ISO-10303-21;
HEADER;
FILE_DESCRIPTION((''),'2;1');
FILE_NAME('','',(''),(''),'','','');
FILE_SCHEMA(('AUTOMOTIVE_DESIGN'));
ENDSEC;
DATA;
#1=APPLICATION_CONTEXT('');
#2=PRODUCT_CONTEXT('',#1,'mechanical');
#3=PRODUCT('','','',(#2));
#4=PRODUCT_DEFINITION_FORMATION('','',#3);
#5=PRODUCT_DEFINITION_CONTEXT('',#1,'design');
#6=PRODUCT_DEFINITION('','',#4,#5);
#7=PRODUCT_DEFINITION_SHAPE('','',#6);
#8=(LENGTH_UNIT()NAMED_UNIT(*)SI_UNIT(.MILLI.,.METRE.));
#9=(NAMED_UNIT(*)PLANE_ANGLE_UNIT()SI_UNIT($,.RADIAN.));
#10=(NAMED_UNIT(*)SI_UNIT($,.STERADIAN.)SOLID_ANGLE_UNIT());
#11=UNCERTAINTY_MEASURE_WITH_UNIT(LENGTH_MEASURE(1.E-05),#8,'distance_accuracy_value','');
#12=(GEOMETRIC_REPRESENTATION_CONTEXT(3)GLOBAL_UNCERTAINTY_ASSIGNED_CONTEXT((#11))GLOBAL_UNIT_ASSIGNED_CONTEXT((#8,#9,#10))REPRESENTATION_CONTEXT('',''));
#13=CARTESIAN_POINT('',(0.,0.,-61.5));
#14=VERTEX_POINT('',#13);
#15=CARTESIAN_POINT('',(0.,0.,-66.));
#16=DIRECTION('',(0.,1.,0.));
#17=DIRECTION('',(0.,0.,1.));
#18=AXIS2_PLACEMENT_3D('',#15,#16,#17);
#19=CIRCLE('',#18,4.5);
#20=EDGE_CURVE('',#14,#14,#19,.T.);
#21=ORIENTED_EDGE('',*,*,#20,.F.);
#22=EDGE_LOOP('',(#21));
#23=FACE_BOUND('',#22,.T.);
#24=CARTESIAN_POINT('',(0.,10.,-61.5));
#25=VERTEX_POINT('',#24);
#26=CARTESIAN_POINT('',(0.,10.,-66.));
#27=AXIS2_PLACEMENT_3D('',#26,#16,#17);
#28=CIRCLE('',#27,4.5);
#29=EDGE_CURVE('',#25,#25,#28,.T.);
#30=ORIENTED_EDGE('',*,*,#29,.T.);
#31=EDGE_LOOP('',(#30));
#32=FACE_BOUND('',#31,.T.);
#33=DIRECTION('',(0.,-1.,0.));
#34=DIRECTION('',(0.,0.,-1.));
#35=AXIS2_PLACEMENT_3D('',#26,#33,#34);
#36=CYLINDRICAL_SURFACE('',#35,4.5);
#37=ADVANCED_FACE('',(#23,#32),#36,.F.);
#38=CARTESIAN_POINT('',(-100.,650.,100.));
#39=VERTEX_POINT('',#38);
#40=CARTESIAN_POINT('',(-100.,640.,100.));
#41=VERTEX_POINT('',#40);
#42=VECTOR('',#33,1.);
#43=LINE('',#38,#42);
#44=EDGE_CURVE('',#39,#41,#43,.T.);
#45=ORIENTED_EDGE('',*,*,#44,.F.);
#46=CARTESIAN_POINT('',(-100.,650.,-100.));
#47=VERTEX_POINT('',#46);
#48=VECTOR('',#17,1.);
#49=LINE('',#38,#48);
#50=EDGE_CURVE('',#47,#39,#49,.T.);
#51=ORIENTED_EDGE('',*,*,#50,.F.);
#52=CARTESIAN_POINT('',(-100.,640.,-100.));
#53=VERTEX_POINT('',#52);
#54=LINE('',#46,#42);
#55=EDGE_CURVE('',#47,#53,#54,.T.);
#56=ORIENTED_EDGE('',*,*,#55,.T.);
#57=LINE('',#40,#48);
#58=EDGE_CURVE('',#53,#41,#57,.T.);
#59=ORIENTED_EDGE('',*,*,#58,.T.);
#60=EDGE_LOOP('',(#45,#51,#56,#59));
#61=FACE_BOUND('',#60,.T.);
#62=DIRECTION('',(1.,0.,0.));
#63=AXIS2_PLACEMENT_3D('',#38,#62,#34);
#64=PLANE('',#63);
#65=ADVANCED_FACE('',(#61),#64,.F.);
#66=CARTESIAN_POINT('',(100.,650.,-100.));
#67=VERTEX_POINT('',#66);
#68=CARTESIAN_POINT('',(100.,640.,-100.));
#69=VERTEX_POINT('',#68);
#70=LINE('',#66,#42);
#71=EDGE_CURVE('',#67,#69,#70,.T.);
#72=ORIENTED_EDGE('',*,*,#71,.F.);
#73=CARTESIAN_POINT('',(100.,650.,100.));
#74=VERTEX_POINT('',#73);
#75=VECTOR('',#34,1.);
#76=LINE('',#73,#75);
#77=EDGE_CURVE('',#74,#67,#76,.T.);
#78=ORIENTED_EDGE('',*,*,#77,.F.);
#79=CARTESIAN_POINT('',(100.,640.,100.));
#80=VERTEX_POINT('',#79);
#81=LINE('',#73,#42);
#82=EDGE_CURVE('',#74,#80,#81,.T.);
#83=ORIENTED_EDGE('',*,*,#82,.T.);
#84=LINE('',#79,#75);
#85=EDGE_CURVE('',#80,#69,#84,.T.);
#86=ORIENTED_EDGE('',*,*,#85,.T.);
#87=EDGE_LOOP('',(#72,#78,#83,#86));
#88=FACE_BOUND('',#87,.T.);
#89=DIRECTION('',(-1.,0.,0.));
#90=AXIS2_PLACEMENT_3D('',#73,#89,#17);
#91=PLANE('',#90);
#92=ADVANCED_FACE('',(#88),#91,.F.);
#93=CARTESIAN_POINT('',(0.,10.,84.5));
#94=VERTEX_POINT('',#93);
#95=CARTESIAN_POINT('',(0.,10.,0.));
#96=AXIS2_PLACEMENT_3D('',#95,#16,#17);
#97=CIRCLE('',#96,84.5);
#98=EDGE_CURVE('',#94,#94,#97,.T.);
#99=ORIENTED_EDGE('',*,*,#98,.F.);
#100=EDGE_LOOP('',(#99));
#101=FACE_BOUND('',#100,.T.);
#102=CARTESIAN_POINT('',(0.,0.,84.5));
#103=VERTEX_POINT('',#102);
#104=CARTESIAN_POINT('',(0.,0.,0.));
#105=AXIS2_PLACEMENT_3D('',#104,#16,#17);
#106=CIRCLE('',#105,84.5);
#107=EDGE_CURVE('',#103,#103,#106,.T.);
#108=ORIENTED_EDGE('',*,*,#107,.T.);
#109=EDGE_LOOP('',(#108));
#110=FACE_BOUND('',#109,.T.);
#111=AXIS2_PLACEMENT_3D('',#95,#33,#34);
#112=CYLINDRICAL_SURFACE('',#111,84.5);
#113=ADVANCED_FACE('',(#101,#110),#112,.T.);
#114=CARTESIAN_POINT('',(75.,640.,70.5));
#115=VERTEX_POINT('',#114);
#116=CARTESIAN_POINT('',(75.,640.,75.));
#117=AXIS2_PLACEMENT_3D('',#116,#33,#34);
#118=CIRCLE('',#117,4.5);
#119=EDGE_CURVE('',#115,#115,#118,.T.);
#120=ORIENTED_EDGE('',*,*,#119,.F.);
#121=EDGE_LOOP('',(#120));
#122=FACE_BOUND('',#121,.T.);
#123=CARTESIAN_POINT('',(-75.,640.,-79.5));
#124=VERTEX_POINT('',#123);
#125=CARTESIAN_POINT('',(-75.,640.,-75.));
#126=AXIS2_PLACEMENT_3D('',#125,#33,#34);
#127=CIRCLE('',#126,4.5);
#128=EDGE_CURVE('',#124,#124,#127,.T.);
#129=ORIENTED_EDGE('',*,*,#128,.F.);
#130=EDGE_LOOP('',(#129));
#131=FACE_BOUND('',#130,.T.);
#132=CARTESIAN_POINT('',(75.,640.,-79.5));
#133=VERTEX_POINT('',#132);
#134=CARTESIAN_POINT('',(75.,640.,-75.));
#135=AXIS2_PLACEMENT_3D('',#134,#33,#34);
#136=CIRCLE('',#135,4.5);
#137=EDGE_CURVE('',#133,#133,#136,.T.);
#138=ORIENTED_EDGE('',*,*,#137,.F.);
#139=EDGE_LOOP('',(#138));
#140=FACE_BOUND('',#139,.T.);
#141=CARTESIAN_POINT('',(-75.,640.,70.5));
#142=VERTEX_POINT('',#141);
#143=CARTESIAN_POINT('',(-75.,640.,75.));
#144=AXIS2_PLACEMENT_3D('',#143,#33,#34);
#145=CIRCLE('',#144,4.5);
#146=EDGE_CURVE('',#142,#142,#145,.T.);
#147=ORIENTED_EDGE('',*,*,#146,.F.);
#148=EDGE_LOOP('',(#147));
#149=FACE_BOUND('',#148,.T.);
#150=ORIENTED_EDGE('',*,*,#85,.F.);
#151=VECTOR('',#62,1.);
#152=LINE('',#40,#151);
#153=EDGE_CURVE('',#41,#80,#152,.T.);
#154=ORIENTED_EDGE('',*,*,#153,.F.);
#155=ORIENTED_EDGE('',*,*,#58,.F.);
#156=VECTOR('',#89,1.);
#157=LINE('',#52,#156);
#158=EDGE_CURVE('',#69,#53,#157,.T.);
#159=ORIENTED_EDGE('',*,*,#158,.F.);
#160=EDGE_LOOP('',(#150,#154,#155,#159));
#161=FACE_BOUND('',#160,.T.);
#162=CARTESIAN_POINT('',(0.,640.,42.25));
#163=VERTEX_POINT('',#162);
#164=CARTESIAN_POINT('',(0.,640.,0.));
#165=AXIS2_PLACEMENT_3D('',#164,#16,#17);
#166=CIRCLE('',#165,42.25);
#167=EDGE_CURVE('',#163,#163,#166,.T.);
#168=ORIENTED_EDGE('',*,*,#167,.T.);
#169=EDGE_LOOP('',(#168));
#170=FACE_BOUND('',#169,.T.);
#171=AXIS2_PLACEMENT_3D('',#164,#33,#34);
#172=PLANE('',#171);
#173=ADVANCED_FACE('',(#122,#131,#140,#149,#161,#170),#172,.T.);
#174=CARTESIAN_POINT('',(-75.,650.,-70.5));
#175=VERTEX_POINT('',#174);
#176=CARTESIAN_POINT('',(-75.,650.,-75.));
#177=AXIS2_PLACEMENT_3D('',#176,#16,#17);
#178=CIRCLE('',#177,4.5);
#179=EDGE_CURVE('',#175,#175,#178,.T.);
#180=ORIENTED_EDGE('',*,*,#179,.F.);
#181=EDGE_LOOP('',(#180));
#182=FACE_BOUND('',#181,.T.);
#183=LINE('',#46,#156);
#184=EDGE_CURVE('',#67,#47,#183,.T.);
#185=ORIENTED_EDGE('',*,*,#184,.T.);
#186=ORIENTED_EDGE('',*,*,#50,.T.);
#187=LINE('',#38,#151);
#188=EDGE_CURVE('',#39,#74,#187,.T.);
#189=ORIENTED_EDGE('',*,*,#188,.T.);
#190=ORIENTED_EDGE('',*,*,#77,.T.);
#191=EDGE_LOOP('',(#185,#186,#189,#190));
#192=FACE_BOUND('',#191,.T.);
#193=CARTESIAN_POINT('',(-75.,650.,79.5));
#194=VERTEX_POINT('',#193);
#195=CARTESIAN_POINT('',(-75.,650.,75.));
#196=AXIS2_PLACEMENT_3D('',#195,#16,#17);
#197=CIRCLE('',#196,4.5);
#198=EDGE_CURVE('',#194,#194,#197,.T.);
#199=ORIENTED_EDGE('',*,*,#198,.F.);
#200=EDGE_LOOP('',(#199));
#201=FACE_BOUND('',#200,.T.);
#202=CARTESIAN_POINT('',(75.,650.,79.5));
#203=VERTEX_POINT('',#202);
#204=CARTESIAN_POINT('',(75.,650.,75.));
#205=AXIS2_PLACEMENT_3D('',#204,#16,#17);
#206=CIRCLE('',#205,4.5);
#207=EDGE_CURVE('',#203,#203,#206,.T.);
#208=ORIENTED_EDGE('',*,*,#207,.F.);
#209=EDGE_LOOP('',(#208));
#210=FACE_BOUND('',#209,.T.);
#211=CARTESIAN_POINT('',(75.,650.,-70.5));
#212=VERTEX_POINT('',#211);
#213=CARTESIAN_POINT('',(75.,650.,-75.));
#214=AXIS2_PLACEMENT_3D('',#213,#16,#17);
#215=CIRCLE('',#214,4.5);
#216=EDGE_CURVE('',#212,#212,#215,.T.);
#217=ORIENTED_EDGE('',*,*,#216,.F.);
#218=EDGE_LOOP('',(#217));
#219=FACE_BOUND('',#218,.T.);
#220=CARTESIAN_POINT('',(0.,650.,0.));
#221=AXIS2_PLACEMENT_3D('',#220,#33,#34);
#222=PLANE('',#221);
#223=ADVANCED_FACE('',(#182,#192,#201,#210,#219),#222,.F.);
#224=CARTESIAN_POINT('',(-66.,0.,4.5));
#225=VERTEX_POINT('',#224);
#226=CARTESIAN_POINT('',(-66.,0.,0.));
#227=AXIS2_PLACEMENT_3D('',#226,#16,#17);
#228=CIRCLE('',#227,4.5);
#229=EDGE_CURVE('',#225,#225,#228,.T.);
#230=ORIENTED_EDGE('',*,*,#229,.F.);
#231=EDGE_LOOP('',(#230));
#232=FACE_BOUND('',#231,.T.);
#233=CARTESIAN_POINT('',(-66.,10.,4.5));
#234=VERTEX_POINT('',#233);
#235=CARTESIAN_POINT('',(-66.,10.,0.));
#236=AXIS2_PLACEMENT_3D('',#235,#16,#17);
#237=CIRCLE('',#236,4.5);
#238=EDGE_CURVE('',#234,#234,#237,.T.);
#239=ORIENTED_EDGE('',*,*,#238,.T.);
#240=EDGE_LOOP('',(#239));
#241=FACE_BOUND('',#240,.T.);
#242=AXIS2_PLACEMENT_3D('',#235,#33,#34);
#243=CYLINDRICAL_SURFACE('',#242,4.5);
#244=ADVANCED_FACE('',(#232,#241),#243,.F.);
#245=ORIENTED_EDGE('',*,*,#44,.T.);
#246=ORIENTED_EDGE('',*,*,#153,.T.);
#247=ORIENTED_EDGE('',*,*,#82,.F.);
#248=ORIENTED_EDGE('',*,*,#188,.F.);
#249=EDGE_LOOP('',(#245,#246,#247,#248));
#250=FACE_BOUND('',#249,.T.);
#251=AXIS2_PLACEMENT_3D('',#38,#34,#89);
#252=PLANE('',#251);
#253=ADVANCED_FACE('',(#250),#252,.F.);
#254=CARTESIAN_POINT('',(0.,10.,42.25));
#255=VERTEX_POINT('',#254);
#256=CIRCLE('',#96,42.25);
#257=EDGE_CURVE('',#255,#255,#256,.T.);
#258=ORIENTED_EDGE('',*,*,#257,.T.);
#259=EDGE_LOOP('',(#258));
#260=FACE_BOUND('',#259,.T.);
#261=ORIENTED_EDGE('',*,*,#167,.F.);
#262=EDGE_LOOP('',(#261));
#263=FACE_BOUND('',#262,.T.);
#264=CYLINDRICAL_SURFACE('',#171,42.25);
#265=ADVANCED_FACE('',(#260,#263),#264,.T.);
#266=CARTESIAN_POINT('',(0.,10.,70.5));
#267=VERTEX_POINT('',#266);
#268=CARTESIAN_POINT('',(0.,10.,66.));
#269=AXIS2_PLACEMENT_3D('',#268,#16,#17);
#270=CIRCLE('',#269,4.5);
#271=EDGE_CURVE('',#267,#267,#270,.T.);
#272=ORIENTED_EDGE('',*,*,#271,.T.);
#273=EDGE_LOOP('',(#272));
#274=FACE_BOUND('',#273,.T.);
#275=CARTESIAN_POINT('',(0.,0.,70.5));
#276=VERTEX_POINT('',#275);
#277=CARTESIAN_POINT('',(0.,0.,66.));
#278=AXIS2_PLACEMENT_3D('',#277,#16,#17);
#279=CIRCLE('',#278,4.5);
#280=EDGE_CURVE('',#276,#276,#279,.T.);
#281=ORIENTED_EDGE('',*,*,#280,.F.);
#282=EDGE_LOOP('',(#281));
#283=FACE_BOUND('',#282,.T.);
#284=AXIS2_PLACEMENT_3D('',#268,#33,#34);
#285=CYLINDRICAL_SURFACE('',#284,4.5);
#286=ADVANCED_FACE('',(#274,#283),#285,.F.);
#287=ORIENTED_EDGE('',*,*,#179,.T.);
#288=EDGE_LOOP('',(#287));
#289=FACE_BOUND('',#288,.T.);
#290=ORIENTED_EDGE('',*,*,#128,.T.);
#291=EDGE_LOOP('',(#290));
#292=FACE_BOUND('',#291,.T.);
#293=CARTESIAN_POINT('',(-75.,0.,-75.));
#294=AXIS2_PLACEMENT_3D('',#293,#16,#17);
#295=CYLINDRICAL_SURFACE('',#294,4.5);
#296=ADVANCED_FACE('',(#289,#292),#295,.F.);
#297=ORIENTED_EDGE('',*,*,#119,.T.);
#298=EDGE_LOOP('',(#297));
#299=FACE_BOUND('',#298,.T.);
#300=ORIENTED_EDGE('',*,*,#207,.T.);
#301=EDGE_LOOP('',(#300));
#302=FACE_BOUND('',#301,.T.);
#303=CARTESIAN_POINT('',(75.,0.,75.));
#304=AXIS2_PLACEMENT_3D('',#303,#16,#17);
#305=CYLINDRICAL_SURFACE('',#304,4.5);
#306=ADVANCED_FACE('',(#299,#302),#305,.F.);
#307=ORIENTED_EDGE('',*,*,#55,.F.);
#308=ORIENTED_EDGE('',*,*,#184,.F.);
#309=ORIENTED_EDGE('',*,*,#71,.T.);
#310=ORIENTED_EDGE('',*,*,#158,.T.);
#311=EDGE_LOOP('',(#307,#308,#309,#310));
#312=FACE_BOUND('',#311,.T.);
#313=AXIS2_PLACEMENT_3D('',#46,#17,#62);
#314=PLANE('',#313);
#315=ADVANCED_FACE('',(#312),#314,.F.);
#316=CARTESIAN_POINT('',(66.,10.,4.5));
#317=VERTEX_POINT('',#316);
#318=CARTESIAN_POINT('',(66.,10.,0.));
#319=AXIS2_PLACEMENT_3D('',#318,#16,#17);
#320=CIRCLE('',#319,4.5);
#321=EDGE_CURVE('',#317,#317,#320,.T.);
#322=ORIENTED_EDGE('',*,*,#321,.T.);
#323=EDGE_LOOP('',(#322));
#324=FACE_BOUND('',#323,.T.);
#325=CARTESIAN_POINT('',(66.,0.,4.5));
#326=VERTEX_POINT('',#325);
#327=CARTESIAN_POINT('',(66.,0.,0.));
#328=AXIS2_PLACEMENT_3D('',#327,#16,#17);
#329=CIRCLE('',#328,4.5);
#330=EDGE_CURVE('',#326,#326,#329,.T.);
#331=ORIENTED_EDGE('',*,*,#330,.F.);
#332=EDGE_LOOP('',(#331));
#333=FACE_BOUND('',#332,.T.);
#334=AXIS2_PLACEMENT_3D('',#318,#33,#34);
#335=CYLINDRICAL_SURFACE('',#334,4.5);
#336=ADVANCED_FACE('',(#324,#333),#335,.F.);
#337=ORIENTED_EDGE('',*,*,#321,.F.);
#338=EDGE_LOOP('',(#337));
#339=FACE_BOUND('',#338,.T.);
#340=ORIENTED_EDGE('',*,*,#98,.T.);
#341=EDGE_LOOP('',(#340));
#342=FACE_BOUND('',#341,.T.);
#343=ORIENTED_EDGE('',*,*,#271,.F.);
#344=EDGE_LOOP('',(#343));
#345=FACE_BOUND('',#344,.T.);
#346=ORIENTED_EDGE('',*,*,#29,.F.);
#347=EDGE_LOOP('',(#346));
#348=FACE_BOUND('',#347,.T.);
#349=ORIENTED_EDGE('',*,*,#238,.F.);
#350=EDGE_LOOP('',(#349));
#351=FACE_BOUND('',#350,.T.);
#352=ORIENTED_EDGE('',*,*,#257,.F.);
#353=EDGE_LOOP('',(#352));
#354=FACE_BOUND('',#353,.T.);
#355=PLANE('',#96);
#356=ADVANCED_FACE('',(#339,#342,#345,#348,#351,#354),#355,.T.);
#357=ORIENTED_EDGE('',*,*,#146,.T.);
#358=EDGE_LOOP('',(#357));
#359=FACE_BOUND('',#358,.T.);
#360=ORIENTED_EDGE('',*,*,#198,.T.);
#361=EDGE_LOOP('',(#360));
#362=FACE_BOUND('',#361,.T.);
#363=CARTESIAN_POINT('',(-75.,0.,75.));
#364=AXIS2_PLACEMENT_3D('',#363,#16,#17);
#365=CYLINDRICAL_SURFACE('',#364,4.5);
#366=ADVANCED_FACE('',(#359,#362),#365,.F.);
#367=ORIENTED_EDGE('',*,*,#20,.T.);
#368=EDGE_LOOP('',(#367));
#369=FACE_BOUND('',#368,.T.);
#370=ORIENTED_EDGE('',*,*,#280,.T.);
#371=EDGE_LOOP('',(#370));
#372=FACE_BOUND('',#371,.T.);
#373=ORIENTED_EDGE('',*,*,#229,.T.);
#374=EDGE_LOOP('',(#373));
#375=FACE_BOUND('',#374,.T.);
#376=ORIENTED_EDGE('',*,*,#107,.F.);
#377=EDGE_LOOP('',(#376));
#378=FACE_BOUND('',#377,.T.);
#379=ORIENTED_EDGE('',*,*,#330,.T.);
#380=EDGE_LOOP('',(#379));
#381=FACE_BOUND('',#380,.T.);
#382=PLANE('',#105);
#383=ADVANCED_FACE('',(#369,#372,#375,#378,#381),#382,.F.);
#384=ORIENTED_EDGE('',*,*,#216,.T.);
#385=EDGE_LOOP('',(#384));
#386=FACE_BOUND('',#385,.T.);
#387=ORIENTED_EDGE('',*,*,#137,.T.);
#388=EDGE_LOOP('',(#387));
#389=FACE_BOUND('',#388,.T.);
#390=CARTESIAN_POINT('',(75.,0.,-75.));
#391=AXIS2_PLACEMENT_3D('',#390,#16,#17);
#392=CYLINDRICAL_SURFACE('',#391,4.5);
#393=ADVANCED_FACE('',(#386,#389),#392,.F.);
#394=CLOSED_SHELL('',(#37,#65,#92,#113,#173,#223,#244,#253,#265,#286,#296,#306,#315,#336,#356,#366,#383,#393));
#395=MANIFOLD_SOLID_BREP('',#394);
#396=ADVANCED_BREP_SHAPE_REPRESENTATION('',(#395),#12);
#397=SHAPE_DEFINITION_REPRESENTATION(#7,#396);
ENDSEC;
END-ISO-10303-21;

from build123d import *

# Parameters (mm, degrees)
SKETCH1_R           = 84.5
SKETCH1_R_2         = 4.5
BOSS_EXTRUDE4_DEPTH = 10
SKETCH2_R           = 42.25
BOSS_EXTRUDE5_DEPTH = 630
SKETCH4_W           = 200
SKETCH4_H           = 200
BOSS_EXTRUDE6_DEPTH = 10
CUT_EXTRUDE1_DEPTH  = 666.206734783


with BuildPart() as part:
    # Sketch1 → Boss-Extrude4 (new body)
    with BuildSketch(Plane(origin=(0, 0, 0), x_dir=(1, 0, 0), z_dir=(0, 1, 0))):
        with Locations(Location((0, 0, 0), (0, 0, 270))):
            Circle(SKETCH1_R)
        with Locations(Location((0, -66, 0), (0, 0, 270))):
            Circle(SKETCH1_R_2, mode=Mode.SUBTRACT)
        with Locations(Location((66, 0, 0), (0, 0, 270))):
            Circle(SKETCH1_R_2, mode=Mode.SUBTRACT)
        with Locations(Location((-66, 0, 0), (0, 0, 270))):
            Circle(SKETCH1_R_2, mode=Mode.SUBTRACT)
        with Locations(Location((0, 66, 0), (0, 0, 270))):
            Circle(SKETCH1_R_2, mode=Mode.SUBTRACT)
    extrude(amount=BOSS_EXTRUDE4_DEPTH)

    # Sketch2 → Boss-Extrude5 (add)
    with BuildSketch(Plane(origin=(0, 10, 0), x_dir=(1, 0, 0), z_dir=(0, 1, 0))):
        with Locations(Location((0, 0, 0), (0, 0, 270))):
            Circle(SKETCH2_R)
    extrude(amount=BOSS_EXTRUDE5_DEPTH)

    # Sketch4 → Boss-Extrude6 (add)
    with BuildSketch(Plane(origin=(0, 640, 0), x_dir=(1, 0, 0), z_dir=(0, 1, 0))):
        Rectangle(SKETCH4_W, SKETCH4_H)
    extrude(amount=BOSS_EXTRUDE6_DEPTH)

    # Sketch5 → Cut-Extrude1 (cut, through all)
    with BuildSketch(Plane(origin=(0, 650, 0), x_dir=(1, 0, 0), z_dir=(0, 1, 0))):
        with BuildLine():
            Line((-75, -70.5), (-75, -75))
            Line((-75, -75), (-70.5, -75))
            ThreePointArc((-70.5, -75), (-71.818019485, -71.818019485), (-75, -70.5))
        make_face()
        with BuildLine():
            Line((-70.5, -75), (-75, -75))
            Line((-75, -75), (-75, -70.5))
            ThreePointArc((-75, -70.5), (-78.181980515, -78.181980515), (-70.5, -75))
        make_face()
        with BuildLine():
            ThreePointArc((-70.5, 75), (-78.181980515, 78.181980515), (-75, 70.5))
            Line((-75, 70.5), (-75, 75))
            Line((-75, 75), (-70.5, 75))
        make_face()
        with BuildLine():
            Line((-75, 75), (-75, 70.5))
            ThreePointArc((-75, 70.5), (-71.818019485, 71.818019485), (-70.5, 75))
            Line((-70.5, 75), (-75, 75))
        make_face()
        with BuildLine():
            ThreePointArc((70.5, 75), (71.818019485, 71.818019485), (75, 70.5))
            Line((75, 70.5), (75, 75))
            Line((75, 75), (70.5, 75))
        make_face()
        with BuildLine():
            Line((75, 75), (75, 70.5))
            ThreePointArc((75, 70.5), (78.181980515, 71.818019485), (79.5, 75))
            ThreePointArc((79.5, 75), (75, 79.5), (70.5, 75))
            Line((70.5, 75), (75, 75))
        make_face()
        with BuildLine():
            ThreePointArc((75, -70.5), (71.818019485, -71.818019485), (70.5, -75))
            Line((70.5, -75), (75, -75))
            Line((75, -75), (75, -70.5))
        make_face()
        with BuildLine():
            Line((75, -75), (70.5, -75))
            ThreePointArc((70.5, -75), (75, -79.5), (79.5, -75))
            ThreePointArc((79.5, -75), (78.181980515, -71.818019485), (75, -70.5))
            Line((75, -70.5), (75, -75))
        make_face()
    extrude(amount=-CUT_EXTRUDE1_DEPTH, mode=Mode.SUBTRACT)


solid = part.part
